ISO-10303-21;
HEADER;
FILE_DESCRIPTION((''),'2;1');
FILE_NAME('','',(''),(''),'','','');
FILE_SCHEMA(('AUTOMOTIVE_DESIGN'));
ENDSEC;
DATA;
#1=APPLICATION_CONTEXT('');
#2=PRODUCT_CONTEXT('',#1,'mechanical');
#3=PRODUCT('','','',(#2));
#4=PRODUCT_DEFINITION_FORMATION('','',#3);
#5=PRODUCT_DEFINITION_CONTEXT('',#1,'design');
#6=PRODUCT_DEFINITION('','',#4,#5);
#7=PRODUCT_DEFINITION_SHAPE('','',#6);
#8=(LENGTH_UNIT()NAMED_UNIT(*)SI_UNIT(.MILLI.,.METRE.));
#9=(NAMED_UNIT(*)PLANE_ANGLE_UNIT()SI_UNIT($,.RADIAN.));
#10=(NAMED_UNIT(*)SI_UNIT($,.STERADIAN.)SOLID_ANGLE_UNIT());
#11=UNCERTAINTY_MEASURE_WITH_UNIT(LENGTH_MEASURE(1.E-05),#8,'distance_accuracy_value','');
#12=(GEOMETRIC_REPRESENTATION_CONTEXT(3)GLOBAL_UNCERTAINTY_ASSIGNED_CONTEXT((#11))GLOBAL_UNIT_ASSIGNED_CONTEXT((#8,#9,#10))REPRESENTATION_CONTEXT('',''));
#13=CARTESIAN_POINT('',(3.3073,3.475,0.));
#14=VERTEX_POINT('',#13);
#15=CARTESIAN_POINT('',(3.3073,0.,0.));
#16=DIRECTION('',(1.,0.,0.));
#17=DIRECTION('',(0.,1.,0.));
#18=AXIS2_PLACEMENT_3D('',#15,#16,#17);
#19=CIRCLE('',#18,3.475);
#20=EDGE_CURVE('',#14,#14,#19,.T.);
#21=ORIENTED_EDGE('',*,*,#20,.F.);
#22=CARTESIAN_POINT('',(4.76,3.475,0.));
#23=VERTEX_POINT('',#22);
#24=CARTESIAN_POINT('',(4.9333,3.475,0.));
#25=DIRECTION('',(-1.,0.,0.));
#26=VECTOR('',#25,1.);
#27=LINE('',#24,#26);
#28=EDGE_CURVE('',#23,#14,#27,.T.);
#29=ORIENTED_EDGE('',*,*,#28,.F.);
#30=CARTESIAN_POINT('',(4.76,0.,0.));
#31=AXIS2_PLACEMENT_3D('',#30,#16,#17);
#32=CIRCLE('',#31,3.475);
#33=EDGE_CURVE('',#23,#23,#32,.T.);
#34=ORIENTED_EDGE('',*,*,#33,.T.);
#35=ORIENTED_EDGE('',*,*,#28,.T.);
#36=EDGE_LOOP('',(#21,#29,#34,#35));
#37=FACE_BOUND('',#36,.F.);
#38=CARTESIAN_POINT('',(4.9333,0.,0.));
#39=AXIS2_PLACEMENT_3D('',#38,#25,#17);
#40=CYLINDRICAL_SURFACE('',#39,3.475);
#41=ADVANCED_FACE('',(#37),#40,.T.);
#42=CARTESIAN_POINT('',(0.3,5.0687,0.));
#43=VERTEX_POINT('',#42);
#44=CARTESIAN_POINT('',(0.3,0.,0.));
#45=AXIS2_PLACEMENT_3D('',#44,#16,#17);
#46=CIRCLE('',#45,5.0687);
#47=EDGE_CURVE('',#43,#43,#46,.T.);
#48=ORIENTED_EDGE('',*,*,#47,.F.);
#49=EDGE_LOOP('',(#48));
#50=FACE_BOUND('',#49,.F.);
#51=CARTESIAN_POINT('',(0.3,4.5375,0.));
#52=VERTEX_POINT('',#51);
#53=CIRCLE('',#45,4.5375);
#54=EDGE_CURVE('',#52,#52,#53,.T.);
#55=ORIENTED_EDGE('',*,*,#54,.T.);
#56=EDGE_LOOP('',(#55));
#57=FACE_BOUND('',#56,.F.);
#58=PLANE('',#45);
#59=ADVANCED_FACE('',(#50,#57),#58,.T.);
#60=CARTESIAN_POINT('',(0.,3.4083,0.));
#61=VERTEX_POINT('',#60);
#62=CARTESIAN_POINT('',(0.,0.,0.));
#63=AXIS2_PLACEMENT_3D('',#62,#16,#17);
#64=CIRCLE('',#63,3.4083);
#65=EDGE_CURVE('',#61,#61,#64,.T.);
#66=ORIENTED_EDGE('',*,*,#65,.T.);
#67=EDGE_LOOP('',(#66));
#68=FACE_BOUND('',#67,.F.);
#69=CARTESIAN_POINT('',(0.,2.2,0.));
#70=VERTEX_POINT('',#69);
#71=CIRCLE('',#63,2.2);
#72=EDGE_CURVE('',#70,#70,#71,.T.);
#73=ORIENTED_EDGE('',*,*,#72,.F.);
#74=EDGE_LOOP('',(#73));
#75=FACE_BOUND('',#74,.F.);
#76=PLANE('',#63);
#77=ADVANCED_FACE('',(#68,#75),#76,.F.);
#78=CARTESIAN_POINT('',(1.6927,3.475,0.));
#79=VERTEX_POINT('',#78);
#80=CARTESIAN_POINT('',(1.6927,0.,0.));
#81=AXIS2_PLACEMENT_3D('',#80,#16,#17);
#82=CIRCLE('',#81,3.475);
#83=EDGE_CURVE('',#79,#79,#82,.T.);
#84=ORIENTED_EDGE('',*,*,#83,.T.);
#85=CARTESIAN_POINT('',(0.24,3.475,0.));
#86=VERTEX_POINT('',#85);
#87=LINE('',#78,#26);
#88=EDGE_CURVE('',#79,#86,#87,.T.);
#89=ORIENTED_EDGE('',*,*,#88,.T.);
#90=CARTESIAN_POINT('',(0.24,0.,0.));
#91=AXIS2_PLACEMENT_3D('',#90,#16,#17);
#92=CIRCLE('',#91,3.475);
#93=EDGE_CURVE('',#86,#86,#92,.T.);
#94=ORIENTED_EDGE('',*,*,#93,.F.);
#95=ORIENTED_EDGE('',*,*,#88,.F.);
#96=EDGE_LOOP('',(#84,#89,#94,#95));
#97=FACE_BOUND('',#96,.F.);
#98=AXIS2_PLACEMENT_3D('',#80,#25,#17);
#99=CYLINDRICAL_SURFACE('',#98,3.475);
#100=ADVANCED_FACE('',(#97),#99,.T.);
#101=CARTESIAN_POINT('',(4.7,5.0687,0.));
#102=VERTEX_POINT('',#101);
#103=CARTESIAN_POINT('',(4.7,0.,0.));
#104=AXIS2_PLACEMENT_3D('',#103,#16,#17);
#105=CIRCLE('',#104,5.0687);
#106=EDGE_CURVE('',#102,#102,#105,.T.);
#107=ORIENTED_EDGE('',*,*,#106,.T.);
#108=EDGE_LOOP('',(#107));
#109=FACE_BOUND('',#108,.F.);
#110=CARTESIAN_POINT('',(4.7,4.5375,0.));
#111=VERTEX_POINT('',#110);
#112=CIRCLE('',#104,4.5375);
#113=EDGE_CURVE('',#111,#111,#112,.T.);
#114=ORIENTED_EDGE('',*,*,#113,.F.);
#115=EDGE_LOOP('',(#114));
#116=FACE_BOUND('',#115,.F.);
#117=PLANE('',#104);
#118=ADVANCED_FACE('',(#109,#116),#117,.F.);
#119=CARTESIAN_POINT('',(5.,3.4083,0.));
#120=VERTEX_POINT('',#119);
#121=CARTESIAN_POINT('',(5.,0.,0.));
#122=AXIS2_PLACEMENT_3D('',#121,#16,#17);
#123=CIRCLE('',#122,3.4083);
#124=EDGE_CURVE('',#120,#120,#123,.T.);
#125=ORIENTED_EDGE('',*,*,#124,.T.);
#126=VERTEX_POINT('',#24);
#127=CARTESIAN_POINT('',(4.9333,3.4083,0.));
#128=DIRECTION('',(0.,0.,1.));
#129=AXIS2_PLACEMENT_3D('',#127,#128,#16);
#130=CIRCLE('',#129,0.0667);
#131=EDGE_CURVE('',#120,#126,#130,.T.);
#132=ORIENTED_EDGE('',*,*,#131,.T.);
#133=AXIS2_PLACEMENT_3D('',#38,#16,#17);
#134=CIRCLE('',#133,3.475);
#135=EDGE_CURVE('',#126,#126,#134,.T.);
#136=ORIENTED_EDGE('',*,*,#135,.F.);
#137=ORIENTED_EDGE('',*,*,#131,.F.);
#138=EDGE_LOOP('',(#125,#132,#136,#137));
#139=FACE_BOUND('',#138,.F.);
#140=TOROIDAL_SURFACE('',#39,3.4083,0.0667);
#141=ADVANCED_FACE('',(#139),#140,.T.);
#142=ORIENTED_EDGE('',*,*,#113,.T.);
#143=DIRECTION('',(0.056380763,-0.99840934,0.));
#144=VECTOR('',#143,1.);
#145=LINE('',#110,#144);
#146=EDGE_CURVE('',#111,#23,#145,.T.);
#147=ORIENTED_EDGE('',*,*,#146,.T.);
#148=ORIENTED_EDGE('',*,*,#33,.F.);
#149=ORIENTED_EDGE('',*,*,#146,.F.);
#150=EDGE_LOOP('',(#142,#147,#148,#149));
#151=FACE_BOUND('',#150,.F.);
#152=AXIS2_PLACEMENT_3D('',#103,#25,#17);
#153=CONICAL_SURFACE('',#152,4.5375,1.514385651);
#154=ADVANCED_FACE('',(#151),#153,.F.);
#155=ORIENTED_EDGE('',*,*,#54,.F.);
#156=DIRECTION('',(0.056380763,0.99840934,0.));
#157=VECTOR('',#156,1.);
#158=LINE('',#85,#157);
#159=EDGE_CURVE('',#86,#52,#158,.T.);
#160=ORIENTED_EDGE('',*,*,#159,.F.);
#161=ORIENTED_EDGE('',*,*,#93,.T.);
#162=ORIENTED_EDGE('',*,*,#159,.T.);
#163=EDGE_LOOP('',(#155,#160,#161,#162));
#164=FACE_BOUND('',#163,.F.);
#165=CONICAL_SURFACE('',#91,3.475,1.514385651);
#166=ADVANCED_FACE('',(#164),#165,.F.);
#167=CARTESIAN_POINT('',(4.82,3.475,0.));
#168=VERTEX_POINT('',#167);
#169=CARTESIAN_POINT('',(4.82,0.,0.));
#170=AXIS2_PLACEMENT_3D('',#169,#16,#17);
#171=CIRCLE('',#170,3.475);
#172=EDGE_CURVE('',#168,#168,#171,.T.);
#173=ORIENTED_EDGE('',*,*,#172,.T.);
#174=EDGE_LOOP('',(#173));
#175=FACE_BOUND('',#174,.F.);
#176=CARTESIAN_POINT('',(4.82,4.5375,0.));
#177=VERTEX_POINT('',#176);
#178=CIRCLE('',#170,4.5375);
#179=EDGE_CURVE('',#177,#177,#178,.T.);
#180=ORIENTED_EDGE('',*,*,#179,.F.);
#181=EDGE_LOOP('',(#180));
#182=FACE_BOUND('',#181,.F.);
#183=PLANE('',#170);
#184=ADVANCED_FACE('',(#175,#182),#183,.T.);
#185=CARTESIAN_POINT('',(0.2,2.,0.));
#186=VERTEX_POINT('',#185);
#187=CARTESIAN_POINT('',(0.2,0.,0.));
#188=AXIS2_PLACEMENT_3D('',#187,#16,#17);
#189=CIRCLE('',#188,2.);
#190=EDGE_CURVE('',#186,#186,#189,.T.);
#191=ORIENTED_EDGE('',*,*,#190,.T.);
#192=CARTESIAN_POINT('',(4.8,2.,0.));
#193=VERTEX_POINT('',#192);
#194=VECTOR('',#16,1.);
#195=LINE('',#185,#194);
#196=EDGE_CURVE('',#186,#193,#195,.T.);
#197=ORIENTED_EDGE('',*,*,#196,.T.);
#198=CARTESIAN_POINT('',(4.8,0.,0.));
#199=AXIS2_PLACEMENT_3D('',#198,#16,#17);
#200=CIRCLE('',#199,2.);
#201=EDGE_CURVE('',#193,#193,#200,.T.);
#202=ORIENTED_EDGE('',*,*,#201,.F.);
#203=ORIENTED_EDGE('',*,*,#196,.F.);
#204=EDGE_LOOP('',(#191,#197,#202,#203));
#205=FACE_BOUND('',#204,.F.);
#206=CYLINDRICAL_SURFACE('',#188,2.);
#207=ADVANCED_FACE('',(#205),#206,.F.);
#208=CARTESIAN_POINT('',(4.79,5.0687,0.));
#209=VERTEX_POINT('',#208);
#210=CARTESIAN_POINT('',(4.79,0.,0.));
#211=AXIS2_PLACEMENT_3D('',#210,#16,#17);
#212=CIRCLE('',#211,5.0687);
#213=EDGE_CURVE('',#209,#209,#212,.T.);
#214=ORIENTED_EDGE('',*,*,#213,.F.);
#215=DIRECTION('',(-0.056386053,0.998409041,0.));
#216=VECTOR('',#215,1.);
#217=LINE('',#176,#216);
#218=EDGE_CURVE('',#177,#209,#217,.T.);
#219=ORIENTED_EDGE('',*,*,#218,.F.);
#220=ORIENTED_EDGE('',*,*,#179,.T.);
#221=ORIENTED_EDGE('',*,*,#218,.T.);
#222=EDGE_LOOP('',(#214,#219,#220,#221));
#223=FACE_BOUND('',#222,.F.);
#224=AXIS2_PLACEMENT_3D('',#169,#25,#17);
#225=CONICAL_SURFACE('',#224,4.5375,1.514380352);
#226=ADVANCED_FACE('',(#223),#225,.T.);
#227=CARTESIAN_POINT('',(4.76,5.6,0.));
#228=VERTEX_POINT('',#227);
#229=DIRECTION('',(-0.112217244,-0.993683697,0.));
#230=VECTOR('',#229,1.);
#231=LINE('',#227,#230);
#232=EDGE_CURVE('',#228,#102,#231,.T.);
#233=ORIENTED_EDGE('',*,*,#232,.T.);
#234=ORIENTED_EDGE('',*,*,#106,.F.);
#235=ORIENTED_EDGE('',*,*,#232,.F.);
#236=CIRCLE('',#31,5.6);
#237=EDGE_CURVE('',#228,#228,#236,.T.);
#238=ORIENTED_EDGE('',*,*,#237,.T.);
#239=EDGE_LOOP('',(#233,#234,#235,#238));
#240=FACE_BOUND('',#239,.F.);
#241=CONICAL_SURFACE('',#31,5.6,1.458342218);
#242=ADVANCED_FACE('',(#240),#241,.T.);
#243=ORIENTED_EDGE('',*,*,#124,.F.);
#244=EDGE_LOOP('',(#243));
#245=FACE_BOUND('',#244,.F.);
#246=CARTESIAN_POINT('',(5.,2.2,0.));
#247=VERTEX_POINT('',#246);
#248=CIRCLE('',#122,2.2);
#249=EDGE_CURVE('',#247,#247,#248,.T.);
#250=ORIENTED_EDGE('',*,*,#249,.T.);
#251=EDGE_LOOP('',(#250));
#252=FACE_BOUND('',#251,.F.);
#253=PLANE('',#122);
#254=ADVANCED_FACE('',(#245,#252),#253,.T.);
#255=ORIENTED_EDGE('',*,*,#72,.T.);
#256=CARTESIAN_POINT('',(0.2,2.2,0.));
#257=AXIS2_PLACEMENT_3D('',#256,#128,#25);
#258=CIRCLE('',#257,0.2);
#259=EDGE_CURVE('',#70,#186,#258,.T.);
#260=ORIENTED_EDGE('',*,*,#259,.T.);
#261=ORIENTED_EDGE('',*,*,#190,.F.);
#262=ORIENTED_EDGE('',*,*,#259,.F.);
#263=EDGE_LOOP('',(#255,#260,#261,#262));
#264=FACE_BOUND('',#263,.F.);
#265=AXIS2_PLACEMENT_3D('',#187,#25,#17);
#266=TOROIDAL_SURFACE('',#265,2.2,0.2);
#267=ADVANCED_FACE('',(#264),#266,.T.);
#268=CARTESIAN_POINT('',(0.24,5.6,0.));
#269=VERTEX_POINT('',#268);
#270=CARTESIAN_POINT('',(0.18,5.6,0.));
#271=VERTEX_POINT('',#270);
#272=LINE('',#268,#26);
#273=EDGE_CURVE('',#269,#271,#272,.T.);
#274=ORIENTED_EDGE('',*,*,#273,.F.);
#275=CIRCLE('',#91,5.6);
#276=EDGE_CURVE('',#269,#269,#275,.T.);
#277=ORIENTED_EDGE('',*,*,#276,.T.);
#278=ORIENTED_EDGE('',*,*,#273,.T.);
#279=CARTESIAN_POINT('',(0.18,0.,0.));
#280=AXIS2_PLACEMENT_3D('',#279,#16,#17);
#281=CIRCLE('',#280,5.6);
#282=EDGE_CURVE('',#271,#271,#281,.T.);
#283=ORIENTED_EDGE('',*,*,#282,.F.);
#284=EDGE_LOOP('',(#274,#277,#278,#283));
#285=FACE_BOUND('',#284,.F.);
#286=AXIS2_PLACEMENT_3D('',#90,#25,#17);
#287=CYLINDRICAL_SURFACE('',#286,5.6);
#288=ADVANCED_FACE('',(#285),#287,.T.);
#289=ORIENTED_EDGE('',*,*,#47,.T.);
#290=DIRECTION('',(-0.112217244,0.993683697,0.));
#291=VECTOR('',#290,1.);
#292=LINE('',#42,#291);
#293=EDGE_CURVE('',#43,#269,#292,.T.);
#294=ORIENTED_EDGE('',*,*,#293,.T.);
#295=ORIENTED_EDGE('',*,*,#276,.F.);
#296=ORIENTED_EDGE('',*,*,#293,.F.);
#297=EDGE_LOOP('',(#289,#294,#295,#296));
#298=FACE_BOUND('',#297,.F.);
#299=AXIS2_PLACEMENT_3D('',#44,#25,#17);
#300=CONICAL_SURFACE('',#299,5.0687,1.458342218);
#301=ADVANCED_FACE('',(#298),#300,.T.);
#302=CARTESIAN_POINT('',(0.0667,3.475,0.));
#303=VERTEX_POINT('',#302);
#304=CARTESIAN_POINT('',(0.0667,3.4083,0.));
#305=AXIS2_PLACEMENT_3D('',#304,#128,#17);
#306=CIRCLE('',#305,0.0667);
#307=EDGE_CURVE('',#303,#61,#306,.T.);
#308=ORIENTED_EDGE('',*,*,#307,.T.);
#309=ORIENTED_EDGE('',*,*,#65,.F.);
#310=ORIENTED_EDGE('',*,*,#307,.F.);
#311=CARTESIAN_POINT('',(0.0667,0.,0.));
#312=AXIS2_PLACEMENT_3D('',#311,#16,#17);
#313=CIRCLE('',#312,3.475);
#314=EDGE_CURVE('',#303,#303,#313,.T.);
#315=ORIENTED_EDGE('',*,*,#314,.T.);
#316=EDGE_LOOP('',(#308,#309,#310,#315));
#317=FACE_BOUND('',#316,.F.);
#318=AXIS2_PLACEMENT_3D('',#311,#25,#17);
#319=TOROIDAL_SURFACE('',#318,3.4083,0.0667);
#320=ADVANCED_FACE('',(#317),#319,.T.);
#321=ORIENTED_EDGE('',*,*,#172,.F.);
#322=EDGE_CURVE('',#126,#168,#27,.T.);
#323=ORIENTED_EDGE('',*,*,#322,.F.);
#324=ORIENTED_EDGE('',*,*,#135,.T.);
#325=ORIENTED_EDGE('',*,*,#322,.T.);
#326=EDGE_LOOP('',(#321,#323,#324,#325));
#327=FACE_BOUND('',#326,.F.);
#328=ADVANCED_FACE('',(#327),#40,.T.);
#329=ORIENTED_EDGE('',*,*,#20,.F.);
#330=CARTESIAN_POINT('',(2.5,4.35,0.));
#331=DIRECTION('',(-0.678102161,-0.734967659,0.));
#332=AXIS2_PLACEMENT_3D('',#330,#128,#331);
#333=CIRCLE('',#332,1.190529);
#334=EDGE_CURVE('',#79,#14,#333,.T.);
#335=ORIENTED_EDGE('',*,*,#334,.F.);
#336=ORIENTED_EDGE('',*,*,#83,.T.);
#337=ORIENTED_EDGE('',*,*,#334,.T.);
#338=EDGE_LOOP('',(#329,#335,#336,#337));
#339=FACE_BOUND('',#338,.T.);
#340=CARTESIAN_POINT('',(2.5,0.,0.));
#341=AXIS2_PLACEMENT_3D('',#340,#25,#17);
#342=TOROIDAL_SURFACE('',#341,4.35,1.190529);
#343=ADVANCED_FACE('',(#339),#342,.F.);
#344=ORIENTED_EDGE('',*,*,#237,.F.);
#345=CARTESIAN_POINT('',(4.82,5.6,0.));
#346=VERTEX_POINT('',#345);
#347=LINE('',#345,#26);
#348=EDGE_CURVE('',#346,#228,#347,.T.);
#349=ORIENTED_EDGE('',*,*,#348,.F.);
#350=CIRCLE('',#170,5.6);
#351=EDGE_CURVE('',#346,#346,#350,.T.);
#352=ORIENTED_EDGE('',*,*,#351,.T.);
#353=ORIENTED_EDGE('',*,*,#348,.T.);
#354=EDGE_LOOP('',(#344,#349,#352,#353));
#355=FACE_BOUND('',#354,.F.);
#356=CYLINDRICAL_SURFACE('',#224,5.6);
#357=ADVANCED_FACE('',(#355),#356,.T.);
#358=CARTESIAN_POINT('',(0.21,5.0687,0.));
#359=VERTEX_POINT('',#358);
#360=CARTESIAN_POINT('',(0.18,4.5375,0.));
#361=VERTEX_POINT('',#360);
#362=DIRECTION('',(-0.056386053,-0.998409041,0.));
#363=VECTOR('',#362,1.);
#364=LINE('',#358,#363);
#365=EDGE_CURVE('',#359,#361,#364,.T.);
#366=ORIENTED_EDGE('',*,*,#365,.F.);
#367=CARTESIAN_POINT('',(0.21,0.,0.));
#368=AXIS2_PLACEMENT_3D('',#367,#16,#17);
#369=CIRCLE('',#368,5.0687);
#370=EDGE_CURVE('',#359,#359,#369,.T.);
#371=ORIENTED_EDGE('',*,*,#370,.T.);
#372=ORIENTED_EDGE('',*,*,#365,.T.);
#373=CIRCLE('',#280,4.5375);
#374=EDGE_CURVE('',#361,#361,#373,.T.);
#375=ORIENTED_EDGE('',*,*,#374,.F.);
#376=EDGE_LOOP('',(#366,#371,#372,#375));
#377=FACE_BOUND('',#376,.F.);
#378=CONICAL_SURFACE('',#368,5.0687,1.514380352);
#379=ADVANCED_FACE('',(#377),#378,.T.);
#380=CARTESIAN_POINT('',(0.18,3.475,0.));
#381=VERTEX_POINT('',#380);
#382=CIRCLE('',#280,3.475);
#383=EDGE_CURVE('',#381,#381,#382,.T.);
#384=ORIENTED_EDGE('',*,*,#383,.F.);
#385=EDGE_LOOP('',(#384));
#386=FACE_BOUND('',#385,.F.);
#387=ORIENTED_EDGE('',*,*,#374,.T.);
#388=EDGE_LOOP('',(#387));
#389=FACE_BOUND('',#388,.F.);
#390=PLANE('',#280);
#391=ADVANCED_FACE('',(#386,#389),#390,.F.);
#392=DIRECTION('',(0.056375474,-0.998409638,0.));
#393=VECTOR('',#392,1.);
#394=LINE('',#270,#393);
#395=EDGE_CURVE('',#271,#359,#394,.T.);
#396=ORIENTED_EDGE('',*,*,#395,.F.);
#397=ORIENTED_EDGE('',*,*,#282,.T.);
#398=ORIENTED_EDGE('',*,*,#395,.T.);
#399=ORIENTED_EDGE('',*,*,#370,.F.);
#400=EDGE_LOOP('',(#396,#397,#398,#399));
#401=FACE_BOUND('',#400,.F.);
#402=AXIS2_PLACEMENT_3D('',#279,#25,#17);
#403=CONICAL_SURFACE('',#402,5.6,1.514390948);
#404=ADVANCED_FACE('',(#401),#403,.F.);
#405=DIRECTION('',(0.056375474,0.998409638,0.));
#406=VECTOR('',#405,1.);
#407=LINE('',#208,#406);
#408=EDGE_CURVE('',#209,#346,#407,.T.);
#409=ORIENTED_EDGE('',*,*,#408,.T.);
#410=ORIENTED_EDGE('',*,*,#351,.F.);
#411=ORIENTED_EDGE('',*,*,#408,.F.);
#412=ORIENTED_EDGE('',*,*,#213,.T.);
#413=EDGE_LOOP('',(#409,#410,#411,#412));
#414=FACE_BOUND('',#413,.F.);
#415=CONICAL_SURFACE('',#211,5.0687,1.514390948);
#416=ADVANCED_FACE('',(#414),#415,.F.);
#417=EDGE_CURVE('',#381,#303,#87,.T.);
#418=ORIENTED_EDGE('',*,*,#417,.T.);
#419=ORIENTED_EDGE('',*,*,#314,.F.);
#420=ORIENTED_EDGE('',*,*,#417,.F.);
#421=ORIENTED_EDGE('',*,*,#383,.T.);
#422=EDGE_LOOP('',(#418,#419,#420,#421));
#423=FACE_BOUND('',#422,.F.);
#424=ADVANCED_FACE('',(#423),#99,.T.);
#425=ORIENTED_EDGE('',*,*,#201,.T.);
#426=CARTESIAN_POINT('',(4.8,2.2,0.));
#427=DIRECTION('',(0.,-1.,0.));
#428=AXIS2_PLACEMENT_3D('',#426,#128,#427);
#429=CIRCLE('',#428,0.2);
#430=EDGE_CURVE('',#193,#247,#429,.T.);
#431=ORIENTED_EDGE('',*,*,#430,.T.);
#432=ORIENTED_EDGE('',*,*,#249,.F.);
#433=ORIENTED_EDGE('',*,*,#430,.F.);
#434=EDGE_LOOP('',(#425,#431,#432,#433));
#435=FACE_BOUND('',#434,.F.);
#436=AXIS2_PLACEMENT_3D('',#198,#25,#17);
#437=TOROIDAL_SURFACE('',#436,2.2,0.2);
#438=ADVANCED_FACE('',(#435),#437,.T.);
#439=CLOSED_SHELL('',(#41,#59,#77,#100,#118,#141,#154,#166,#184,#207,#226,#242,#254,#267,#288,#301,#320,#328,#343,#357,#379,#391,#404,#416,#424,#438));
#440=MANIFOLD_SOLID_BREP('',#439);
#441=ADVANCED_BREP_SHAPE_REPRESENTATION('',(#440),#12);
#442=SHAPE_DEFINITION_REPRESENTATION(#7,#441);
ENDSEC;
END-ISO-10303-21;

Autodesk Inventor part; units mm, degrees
ref_plane "YZ Plane" through (0, 0, 0) normal (1, 0, 0) x (0, 1, 0)
ref_plane "XZ Plane" through (0, 0, 0) normal (0, 1, 0) x (-1, 0, 0)
ref_plane "XY Plane" through (0, 0, 0) normal (0, 0, 1) x (1, 0, 0)
sketch "Sketch_62" plane through (0, 0, 0) normal (0, 0, 1) x (1, 0, 0)
  line L0 (50, 0) -> (-50, 0)
  line L1 (0, 3.4083) -> (0, 2.2)
  arc A0 (0, 2.2) -> (0.2, 2) centre (0.2, 2.2) ccw
  line L2 (0.2, 2) -> (4.8, 2)
  arc A1 (4.8, 2) -> (5, 2.2) centre (4.8, 2.2) ccw
  line L3 (5, 2.2) -> (5, 3.4083)
  arc A2 (5, 3.4083) -> (4.9333, 3.475) centre (4.9333, 3.4083) ccw
  line L4 (4.9333, 3.475) -> (3.3073, 3.475)
  arc A3 (1.6927, 3.475) -> (3.3073, 3.475) centre (2.5, 4.35) ccw
  line L5 (1.6927, 3.475) -> (0.0667, 3.475)
  arc A4 (0.0667, 3.475) -> (0, 3.4083) centre (0.0667, 3.4083) ccw
revolve "Revolution1" add sketch "Sketch_62" angle 360 about axis through (50, 0, 0) along (1, 0, 0)
sketch "Sketch_63" plane through (0, 0, 0) normal (0, 0, 1) x (1, 0, 0)
  line L0 (50, 0) -> (-50, 0)
  line L1 (0.18, 5.6) -> (0.21, 5.0687)
  line L2 (0.21, 5.0687) -> (0.18, 4.5375)
  line L3 (0.18, 4.5375) -> (0.18, 3.475)
  line L4 (0.18, 3.475) -> (0.24, 3.475)
  line L5 (0.24, 3.475) -> (0.3, 4.5375)
  line L6 (0.3, 4.5375) -> (0.3, 5.0687)
  line L7 (0.3, 5.0687) -> (0.24, 5.6)
  line L8 (0.24, 5.6) -> (0.18, 5.6)
revolve "Revolution2" add sketch "Sketch_63" angle 360 about axis through (50, 0, 0) along (1, 0, 0)
sketch "Sketch_65" plane through (0, 0, 0) normal (0, 0, 1) x (1, 0, 0)
  line L0 (50, 0) -> (-50, 0)
  line L1 (4.7, 4.5375) -> (4.76, 3.475)
  line L2 (4.76, 3.475) -> (4.82, 3.475)
  line L3 (4.82, 3.475) -> (4.82, 4.5375)
  line L4 (4.82, 4.5375) -> (4.79, 5.0687)
  line L5 (4.79, 5.0687) -> (4.82, 5.6)
  line L6 (4.82, 5.6) -> (4.76, 5.6)
  line L7 (4.76, 5.6) -> (4.7, 5.0687)
  line L8 (4.7, 5.0687) -> (4.7, 4.5375)
revolve "Revolution3" add sketch "Sketch_65" angle 360 about axis through (50, 0, 0) along (1, 0, 0)
properties part number "SKF_624-2Z_PART1"
